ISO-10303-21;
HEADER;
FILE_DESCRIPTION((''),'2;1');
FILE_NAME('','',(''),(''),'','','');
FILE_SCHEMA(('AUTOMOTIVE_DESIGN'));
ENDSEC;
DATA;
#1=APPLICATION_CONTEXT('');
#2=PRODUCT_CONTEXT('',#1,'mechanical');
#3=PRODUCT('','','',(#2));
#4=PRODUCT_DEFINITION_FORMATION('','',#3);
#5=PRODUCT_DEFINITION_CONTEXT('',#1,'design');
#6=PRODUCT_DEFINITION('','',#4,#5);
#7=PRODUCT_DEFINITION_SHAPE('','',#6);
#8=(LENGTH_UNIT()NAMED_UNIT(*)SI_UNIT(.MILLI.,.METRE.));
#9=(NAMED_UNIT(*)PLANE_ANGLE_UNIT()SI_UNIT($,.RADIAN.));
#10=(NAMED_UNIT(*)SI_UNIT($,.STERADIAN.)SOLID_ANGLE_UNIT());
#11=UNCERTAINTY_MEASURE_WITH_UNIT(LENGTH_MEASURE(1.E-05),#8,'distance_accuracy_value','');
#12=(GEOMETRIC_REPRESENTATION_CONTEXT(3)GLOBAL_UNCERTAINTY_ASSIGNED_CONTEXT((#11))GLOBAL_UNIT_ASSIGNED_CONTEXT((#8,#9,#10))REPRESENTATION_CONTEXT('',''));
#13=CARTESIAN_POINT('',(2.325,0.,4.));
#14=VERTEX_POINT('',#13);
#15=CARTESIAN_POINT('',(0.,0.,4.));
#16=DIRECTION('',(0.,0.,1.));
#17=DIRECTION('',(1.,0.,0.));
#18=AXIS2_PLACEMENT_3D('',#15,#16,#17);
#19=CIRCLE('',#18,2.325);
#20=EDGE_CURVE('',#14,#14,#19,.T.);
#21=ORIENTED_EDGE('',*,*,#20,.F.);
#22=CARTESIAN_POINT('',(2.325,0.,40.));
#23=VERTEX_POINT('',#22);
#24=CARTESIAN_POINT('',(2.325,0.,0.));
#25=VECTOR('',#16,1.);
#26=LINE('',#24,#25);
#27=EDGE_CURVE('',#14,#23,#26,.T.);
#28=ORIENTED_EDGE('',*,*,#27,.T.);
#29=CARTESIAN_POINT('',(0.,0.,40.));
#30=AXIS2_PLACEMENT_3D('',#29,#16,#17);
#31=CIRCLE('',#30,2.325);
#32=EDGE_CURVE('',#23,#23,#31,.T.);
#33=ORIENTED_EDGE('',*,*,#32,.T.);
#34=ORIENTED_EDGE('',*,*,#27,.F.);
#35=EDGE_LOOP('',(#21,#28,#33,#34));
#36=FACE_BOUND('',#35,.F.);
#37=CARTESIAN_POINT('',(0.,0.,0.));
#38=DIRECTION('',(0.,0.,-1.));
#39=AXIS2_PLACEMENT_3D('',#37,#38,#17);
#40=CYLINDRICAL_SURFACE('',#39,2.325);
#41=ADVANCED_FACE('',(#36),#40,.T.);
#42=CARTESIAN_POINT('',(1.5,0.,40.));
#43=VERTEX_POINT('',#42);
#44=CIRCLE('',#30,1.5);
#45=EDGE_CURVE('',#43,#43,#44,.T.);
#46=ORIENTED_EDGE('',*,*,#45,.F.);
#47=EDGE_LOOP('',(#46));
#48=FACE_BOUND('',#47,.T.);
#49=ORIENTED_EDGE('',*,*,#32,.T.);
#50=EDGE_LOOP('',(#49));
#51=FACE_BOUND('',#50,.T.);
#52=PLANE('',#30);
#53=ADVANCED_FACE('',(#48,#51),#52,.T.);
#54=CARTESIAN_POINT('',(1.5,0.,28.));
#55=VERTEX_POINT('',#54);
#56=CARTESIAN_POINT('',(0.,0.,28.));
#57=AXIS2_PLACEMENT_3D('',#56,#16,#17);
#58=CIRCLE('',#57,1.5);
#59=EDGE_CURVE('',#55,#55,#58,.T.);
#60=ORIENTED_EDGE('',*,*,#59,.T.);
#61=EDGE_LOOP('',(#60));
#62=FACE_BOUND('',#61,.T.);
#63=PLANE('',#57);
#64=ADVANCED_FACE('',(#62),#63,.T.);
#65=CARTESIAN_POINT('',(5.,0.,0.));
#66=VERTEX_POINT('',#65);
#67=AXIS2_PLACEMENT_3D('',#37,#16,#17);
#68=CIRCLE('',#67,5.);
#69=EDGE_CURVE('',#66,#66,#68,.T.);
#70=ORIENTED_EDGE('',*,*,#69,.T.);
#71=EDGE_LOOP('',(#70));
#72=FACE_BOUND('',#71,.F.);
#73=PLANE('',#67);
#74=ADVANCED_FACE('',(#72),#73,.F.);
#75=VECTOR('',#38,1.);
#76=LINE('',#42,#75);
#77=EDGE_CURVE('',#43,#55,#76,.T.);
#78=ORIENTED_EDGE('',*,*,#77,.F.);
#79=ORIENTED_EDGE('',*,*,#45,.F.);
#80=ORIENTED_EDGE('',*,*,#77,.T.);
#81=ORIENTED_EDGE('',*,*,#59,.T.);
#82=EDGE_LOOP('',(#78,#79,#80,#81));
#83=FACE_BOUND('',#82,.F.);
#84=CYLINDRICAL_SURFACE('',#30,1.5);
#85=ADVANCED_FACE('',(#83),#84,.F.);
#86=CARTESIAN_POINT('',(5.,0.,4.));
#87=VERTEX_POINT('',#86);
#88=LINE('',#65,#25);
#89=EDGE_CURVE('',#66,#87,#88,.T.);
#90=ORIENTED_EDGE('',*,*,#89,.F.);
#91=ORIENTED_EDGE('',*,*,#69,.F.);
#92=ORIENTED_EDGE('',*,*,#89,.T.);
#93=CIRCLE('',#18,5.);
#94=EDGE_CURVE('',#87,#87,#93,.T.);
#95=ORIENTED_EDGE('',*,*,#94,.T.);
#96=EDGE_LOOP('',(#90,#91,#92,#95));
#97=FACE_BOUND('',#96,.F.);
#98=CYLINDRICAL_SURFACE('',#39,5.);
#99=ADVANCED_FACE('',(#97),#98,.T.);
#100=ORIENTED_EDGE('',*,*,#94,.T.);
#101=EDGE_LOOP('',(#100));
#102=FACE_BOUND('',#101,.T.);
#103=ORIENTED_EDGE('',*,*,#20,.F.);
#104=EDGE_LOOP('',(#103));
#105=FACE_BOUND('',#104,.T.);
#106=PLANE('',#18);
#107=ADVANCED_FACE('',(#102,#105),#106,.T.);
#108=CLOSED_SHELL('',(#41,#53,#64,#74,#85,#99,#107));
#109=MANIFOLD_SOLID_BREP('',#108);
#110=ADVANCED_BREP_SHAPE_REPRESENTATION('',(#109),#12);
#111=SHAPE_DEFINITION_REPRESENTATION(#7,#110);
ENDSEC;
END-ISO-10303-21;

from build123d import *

# Parameters (mm, degrees)
F0_R     = 2.325
F1_DEPTH = 40
F0_R_2   = 5
F2_DEPTH = 4
F3_R     = 1.5
F4_DEPTH = 12


with BuildPart() as f1:
    # F0 (on Top) → F1 (new body)
    with BuildSketch(Plane.XY):
        Circle(F0_R)
    extrude(amount=F1_DEPTH)

    # F0 (on Top) → F2 (join)
    with BuildSketch(Plane.XY):
        Circle(F0_R_2)
        Circle(F0_R, mode=Mode.SUBTRACT)
    extrude(amount=F2_DEPTH)

    # F3 (on face) → F4 (cut)
    with BuildSketch(Plane.XY.offset(40)):
        Circle(F3_R)
    extrude(amount=-F4_DEPTH, mode=Mode.SUBTRACT)


solid = f1.part
